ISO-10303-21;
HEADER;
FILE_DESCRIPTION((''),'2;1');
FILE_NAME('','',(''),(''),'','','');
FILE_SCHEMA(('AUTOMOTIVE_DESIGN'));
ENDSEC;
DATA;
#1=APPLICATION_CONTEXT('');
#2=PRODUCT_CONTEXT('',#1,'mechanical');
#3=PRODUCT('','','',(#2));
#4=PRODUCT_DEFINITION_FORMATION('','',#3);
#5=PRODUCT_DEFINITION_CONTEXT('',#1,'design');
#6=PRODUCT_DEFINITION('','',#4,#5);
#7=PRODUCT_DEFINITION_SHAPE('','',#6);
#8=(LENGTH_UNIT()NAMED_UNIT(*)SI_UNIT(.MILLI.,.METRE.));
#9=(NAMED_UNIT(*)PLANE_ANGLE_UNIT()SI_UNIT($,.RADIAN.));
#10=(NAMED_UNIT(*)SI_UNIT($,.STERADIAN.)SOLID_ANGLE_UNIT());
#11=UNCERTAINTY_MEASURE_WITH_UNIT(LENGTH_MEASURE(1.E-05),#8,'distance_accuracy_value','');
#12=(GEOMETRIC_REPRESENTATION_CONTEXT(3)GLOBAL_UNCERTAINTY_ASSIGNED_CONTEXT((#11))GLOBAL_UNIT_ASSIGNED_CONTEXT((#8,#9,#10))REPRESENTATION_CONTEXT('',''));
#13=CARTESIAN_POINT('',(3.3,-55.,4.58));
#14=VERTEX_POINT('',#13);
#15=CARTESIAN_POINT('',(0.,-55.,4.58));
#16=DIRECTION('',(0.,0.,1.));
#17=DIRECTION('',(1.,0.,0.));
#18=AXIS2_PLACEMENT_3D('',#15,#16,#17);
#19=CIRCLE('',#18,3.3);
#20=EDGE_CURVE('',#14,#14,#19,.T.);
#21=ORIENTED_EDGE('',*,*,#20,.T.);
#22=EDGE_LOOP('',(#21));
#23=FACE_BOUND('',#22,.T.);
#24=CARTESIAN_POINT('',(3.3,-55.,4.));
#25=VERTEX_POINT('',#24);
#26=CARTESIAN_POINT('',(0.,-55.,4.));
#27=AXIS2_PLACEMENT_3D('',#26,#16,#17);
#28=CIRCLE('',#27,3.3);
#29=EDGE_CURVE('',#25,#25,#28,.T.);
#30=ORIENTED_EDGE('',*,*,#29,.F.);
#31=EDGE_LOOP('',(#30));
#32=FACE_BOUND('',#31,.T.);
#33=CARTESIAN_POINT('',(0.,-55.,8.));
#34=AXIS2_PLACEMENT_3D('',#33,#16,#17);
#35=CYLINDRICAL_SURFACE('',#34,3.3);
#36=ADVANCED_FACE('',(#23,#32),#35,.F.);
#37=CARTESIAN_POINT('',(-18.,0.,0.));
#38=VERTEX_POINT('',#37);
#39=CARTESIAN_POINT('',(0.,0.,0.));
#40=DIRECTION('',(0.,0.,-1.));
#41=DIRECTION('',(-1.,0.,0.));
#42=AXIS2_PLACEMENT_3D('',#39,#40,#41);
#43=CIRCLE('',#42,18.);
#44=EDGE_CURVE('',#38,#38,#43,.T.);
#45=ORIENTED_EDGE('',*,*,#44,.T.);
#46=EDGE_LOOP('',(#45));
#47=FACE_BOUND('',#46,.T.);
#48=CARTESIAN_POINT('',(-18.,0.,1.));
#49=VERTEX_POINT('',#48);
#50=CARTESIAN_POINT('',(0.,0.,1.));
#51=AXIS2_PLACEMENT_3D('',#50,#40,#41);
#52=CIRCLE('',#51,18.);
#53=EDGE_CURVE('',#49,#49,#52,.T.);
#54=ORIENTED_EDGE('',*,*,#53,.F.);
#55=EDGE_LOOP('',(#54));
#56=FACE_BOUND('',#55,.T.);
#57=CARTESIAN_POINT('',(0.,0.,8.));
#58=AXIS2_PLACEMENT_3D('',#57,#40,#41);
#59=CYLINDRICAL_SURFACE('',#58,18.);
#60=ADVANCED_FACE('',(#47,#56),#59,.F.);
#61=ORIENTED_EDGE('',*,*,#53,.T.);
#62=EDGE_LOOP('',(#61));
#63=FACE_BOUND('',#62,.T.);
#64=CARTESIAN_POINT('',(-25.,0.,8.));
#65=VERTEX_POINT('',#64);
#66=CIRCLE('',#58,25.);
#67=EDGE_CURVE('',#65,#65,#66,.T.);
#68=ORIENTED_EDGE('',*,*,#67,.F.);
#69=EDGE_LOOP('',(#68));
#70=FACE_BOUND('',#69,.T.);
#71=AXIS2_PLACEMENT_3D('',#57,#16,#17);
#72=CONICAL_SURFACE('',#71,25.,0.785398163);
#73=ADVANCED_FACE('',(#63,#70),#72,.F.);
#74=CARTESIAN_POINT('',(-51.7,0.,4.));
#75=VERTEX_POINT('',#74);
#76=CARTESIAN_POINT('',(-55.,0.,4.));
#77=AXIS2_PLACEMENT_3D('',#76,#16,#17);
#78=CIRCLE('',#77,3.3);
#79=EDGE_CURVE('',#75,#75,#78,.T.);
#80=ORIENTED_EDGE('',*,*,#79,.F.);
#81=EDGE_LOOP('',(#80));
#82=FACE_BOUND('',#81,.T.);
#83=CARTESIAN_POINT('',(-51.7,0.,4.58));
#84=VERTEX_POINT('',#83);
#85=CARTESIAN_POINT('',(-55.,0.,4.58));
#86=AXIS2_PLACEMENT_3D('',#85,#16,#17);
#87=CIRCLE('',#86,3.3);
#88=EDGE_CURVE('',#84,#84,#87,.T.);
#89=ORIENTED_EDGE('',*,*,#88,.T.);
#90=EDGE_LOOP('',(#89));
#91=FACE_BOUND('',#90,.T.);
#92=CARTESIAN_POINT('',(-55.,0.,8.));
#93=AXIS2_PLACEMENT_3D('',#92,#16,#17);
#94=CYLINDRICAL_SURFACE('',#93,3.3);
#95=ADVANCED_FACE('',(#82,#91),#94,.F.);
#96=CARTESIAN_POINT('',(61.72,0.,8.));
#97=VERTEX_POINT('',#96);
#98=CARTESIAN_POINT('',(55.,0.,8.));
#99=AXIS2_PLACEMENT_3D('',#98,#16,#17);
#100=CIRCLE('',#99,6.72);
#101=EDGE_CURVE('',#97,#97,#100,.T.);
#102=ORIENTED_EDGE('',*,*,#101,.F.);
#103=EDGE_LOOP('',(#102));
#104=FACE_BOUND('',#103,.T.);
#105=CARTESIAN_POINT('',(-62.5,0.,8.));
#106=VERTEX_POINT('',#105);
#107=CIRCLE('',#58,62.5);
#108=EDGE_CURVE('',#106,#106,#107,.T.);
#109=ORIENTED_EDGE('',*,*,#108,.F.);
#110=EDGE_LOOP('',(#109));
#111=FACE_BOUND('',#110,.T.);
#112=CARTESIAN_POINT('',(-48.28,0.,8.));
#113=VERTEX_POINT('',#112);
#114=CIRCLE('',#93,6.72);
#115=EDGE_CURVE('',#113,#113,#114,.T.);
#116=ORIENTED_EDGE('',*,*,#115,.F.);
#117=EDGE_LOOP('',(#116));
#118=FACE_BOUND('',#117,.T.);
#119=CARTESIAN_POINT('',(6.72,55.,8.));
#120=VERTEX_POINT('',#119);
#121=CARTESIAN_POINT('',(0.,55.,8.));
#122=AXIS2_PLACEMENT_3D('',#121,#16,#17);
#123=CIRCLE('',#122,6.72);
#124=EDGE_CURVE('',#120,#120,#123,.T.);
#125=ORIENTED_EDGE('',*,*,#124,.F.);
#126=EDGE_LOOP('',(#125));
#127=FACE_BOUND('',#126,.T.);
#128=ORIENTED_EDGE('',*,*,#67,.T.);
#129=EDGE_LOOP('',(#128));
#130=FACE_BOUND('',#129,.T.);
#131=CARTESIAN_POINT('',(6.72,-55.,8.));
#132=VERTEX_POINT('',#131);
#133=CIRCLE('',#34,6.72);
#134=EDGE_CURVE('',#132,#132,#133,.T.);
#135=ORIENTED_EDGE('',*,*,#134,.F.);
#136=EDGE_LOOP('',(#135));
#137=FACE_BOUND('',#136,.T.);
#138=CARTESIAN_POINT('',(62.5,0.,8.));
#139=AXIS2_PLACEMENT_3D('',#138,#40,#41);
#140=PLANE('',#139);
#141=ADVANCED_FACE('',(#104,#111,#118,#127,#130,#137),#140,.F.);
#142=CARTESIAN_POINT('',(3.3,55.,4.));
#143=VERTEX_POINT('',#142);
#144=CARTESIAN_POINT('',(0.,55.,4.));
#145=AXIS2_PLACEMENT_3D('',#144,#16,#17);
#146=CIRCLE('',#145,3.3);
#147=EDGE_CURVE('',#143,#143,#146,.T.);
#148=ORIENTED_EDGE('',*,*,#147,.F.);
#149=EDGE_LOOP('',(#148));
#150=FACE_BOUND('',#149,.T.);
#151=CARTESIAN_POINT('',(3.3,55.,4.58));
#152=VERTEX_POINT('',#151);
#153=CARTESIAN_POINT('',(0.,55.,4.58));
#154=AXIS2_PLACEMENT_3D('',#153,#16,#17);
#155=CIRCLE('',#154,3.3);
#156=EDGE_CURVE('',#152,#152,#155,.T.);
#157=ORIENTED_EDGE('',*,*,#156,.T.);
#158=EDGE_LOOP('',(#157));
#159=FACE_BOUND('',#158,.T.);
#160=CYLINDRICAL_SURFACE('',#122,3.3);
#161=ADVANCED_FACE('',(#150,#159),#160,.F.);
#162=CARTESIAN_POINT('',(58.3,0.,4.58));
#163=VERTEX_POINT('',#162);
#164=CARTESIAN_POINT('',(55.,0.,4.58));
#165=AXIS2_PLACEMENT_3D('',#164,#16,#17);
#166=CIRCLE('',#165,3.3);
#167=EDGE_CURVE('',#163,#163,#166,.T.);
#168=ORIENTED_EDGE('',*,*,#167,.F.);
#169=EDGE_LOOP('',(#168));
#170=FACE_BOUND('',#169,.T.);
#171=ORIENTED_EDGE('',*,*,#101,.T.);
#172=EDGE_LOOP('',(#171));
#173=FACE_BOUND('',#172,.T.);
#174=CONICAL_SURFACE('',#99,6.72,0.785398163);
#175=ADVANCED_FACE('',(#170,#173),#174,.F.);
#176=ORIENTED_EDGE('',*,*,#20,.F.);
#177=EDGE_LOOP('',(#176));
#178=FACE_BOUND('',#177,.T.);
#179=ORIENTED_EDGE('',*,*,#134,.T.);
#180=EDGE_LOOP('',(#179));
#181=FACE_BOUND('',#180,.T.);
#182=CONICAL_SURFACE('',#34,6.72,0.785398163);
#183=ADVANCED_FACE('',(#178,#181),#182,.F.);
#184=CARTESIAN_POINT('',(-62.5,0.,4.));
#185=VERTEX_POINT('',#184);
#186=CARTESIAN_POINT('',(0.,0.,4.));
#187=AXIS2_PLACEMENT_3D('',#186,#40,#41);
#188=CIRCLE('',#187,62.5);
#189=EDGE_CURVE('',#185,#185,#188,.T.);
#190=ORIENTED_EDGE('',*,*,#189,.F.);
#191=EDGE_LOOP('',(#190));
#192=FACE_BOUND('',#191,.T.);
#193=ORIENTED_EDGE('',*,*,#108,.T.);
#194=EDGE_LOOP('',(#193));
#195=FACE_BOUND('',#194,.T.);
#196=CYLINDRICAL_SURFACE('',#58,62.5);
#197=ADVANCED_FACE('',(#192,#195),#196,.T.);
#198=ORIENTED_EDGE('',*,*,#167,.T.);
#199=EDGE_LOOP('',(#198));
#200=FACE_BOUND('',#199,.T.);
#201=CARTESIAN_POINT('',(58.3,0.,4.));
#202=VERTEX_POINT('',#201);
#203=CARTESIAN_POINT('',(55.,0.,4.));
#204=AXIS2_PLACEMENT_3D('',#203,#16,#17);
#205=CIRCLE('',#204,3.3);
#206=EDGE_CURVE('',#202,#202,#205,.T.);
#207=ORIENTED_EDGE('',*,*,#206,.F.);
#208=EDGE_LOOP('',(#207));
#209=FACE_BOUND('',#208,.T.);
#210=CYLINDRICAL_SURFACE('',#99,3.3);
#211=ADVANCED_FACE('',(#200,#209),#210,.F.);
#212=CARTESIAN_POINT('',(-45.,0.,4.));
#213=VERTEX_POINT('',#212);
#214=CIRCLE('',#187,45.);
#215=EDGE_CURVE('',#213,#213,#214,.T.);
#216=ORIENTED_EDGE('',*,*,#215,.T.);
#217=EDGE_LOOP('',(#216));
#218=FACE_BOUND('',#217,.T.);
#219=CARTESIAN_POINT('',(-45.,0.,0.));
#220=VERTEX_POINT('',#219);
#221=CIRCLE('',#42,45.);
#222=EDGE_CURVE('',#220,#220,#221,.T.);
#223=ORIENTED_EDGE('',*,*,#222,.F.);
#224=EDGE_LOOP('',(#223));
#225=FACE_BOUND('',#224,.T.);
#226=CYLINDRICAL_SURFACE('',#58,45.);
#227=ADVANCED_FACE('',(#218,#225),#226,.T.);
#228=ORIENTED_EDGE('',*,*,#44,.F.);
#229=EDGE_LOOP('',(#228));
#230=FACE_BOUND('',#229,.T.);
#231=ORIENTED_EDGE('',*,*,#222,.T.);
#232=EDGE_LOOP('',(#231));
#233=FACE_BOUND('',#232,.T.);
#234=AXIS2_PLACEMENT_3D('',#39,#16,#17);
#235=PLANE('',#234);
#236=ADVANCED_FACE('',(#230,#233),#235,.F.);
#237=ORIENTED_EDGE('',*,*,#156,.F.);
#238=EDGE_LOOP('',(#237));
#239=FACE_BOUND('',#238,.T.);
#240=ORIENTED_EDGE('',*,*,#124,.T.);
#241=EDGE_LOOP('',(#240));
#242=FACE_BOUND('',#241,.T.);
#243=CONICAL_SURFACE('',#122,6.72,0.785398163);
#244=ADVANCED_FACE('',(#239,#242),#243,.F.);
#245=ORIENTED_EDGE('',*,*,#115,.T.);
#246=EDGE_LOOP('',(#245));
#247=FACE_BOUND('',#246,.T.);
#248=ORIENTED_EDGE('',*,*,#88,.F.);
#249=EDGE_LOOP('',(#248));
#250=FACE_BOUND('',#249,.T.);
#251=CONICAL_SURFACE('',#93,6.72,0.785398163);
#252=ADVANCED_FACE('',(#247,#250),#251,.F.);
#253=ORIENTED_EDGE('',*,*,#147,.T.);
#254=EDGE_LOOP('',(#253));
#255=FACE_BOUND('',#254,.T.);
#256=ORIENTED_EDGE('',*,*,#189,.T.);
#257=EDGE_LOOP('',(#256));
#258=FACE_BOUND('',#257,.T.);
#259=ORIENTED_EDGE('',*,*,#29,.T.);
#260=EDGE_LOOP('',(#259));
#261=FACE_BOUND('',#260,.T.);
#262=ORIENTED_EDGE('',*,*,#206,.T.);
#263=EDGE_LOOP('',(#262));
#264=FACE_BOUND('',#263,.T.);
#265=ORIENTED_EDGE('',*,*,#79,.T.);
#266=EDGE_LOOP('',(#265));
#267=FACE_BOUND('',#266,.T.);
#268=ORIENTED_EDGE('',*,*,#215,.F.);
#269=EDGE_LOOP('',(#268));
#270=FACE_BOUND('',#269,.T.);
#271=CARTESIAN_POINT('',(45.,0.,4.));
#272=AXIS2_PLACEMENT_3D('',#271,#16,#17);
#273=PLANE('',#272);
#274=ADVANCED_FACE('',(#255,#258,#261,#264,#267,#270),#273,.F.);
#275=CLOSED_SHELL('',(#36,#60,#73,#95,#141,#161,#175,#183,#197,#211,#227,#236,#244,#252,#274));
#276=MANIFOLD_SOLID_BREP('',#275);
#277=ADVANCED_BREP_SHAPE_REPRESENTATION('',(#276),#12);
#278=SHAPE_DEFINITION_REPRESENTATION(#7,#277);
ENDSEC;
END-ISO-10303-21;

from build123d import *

# Parameters (mm, degrees)
POG_BIENIE_STO_KOWE_POD_M6_WKR_T_Z_BEM_D           = 6.6
POG_BIENIE_STO_KOWE_POD_M6_WKR_T_Z_BEM_DEPTH       = 30
POG_BIENIE_STO_KOWE_POD_M6_WKR_T_Z_BEM_CSINK_D     = 13.44
POG_BIENIE_STO_KOWE_POD_M6_WKR_T_Z_BEM_CSINK_ANGLE = 90
POG_BIENIE_STO_KOWE_POD_M6_WKR_T_Z_BEM_TIP         = 1.982840043


with BuildPart() as part:
    # Szkic2 → Obrót1 (revolve)
    with BuildSketch(Plane(origin=(0, 0, 0), x_dir=(1, 0, 0), z_dir=(0, 1, 0))):
        Polygon((0, 0), (45, 0), (45, -4), (62.5, -4), (62.5, -8), (0, -8), align=None)
    revolve(axis=Axis((0, 0, 8), (0, 0, -1)))

    # Szkic1 → Wycięcie-obrót1 (revolve, cut)
    with BuildSketch(Plane(origin=(0, 0, 0), x_dir=(1, 0, 0), z_dir=(0, 1, 0))):
        Polygon((0, 0), (18, 0), (18, -1), (25, -8), (0, -8), align=None)
    revolve(axis=Axis((0, 0, 8), (0, 0, -1)), mode=Mode.SUBTRACT)

    # Pogłębienie stożkowe pod M6 Wkręt z łbem stożkowym płaskim1
    with Locations(Plane(origin=(-55, 0, 8), x_dir=(1, 0, 0), z_dir=(0, 0, 1))):
        with Locations((0, 0), (55, 55), (110, 0), (55, -55)):
            CounterSinkHole(POG_BIENIE_STO_KOWE_POD_M6_WKR_T_Z_BEM_D / 2, POG_BIENIE_STO_KOWE_POD_M6_WKR_T_Z_BEM_CSINK_D / 2, depth=POG_BIENIE_STO_KOWE_POD_M6_WKR_T_Z_BEM_DEPTH, counter_sink_angle=POG_BIENIE_STO_KOWE_POD_M6_WKR_T_Z_BEM_CSINK_ANGLE)
            with Locations((0, 0, -(POG_BIENIE_STO_KOWE_POD_M6_WKR_T_Z_BEM_DEPTH + POG_BIENIE_STO_KOWE_POD_M6_WKR_T_Z_BEM_TIP / 2))):  # 118° drill point
                Cone(0, POG_BIENIE_STO_KOWE_POD_M6_WKR_T_Z_BEM_D / 2, POG_BIENIE_STO_KOWE_POD_M6_WKR_T_Z_BEM_TIP, mode=Mode.SUBTRACT)


solid = part.part
